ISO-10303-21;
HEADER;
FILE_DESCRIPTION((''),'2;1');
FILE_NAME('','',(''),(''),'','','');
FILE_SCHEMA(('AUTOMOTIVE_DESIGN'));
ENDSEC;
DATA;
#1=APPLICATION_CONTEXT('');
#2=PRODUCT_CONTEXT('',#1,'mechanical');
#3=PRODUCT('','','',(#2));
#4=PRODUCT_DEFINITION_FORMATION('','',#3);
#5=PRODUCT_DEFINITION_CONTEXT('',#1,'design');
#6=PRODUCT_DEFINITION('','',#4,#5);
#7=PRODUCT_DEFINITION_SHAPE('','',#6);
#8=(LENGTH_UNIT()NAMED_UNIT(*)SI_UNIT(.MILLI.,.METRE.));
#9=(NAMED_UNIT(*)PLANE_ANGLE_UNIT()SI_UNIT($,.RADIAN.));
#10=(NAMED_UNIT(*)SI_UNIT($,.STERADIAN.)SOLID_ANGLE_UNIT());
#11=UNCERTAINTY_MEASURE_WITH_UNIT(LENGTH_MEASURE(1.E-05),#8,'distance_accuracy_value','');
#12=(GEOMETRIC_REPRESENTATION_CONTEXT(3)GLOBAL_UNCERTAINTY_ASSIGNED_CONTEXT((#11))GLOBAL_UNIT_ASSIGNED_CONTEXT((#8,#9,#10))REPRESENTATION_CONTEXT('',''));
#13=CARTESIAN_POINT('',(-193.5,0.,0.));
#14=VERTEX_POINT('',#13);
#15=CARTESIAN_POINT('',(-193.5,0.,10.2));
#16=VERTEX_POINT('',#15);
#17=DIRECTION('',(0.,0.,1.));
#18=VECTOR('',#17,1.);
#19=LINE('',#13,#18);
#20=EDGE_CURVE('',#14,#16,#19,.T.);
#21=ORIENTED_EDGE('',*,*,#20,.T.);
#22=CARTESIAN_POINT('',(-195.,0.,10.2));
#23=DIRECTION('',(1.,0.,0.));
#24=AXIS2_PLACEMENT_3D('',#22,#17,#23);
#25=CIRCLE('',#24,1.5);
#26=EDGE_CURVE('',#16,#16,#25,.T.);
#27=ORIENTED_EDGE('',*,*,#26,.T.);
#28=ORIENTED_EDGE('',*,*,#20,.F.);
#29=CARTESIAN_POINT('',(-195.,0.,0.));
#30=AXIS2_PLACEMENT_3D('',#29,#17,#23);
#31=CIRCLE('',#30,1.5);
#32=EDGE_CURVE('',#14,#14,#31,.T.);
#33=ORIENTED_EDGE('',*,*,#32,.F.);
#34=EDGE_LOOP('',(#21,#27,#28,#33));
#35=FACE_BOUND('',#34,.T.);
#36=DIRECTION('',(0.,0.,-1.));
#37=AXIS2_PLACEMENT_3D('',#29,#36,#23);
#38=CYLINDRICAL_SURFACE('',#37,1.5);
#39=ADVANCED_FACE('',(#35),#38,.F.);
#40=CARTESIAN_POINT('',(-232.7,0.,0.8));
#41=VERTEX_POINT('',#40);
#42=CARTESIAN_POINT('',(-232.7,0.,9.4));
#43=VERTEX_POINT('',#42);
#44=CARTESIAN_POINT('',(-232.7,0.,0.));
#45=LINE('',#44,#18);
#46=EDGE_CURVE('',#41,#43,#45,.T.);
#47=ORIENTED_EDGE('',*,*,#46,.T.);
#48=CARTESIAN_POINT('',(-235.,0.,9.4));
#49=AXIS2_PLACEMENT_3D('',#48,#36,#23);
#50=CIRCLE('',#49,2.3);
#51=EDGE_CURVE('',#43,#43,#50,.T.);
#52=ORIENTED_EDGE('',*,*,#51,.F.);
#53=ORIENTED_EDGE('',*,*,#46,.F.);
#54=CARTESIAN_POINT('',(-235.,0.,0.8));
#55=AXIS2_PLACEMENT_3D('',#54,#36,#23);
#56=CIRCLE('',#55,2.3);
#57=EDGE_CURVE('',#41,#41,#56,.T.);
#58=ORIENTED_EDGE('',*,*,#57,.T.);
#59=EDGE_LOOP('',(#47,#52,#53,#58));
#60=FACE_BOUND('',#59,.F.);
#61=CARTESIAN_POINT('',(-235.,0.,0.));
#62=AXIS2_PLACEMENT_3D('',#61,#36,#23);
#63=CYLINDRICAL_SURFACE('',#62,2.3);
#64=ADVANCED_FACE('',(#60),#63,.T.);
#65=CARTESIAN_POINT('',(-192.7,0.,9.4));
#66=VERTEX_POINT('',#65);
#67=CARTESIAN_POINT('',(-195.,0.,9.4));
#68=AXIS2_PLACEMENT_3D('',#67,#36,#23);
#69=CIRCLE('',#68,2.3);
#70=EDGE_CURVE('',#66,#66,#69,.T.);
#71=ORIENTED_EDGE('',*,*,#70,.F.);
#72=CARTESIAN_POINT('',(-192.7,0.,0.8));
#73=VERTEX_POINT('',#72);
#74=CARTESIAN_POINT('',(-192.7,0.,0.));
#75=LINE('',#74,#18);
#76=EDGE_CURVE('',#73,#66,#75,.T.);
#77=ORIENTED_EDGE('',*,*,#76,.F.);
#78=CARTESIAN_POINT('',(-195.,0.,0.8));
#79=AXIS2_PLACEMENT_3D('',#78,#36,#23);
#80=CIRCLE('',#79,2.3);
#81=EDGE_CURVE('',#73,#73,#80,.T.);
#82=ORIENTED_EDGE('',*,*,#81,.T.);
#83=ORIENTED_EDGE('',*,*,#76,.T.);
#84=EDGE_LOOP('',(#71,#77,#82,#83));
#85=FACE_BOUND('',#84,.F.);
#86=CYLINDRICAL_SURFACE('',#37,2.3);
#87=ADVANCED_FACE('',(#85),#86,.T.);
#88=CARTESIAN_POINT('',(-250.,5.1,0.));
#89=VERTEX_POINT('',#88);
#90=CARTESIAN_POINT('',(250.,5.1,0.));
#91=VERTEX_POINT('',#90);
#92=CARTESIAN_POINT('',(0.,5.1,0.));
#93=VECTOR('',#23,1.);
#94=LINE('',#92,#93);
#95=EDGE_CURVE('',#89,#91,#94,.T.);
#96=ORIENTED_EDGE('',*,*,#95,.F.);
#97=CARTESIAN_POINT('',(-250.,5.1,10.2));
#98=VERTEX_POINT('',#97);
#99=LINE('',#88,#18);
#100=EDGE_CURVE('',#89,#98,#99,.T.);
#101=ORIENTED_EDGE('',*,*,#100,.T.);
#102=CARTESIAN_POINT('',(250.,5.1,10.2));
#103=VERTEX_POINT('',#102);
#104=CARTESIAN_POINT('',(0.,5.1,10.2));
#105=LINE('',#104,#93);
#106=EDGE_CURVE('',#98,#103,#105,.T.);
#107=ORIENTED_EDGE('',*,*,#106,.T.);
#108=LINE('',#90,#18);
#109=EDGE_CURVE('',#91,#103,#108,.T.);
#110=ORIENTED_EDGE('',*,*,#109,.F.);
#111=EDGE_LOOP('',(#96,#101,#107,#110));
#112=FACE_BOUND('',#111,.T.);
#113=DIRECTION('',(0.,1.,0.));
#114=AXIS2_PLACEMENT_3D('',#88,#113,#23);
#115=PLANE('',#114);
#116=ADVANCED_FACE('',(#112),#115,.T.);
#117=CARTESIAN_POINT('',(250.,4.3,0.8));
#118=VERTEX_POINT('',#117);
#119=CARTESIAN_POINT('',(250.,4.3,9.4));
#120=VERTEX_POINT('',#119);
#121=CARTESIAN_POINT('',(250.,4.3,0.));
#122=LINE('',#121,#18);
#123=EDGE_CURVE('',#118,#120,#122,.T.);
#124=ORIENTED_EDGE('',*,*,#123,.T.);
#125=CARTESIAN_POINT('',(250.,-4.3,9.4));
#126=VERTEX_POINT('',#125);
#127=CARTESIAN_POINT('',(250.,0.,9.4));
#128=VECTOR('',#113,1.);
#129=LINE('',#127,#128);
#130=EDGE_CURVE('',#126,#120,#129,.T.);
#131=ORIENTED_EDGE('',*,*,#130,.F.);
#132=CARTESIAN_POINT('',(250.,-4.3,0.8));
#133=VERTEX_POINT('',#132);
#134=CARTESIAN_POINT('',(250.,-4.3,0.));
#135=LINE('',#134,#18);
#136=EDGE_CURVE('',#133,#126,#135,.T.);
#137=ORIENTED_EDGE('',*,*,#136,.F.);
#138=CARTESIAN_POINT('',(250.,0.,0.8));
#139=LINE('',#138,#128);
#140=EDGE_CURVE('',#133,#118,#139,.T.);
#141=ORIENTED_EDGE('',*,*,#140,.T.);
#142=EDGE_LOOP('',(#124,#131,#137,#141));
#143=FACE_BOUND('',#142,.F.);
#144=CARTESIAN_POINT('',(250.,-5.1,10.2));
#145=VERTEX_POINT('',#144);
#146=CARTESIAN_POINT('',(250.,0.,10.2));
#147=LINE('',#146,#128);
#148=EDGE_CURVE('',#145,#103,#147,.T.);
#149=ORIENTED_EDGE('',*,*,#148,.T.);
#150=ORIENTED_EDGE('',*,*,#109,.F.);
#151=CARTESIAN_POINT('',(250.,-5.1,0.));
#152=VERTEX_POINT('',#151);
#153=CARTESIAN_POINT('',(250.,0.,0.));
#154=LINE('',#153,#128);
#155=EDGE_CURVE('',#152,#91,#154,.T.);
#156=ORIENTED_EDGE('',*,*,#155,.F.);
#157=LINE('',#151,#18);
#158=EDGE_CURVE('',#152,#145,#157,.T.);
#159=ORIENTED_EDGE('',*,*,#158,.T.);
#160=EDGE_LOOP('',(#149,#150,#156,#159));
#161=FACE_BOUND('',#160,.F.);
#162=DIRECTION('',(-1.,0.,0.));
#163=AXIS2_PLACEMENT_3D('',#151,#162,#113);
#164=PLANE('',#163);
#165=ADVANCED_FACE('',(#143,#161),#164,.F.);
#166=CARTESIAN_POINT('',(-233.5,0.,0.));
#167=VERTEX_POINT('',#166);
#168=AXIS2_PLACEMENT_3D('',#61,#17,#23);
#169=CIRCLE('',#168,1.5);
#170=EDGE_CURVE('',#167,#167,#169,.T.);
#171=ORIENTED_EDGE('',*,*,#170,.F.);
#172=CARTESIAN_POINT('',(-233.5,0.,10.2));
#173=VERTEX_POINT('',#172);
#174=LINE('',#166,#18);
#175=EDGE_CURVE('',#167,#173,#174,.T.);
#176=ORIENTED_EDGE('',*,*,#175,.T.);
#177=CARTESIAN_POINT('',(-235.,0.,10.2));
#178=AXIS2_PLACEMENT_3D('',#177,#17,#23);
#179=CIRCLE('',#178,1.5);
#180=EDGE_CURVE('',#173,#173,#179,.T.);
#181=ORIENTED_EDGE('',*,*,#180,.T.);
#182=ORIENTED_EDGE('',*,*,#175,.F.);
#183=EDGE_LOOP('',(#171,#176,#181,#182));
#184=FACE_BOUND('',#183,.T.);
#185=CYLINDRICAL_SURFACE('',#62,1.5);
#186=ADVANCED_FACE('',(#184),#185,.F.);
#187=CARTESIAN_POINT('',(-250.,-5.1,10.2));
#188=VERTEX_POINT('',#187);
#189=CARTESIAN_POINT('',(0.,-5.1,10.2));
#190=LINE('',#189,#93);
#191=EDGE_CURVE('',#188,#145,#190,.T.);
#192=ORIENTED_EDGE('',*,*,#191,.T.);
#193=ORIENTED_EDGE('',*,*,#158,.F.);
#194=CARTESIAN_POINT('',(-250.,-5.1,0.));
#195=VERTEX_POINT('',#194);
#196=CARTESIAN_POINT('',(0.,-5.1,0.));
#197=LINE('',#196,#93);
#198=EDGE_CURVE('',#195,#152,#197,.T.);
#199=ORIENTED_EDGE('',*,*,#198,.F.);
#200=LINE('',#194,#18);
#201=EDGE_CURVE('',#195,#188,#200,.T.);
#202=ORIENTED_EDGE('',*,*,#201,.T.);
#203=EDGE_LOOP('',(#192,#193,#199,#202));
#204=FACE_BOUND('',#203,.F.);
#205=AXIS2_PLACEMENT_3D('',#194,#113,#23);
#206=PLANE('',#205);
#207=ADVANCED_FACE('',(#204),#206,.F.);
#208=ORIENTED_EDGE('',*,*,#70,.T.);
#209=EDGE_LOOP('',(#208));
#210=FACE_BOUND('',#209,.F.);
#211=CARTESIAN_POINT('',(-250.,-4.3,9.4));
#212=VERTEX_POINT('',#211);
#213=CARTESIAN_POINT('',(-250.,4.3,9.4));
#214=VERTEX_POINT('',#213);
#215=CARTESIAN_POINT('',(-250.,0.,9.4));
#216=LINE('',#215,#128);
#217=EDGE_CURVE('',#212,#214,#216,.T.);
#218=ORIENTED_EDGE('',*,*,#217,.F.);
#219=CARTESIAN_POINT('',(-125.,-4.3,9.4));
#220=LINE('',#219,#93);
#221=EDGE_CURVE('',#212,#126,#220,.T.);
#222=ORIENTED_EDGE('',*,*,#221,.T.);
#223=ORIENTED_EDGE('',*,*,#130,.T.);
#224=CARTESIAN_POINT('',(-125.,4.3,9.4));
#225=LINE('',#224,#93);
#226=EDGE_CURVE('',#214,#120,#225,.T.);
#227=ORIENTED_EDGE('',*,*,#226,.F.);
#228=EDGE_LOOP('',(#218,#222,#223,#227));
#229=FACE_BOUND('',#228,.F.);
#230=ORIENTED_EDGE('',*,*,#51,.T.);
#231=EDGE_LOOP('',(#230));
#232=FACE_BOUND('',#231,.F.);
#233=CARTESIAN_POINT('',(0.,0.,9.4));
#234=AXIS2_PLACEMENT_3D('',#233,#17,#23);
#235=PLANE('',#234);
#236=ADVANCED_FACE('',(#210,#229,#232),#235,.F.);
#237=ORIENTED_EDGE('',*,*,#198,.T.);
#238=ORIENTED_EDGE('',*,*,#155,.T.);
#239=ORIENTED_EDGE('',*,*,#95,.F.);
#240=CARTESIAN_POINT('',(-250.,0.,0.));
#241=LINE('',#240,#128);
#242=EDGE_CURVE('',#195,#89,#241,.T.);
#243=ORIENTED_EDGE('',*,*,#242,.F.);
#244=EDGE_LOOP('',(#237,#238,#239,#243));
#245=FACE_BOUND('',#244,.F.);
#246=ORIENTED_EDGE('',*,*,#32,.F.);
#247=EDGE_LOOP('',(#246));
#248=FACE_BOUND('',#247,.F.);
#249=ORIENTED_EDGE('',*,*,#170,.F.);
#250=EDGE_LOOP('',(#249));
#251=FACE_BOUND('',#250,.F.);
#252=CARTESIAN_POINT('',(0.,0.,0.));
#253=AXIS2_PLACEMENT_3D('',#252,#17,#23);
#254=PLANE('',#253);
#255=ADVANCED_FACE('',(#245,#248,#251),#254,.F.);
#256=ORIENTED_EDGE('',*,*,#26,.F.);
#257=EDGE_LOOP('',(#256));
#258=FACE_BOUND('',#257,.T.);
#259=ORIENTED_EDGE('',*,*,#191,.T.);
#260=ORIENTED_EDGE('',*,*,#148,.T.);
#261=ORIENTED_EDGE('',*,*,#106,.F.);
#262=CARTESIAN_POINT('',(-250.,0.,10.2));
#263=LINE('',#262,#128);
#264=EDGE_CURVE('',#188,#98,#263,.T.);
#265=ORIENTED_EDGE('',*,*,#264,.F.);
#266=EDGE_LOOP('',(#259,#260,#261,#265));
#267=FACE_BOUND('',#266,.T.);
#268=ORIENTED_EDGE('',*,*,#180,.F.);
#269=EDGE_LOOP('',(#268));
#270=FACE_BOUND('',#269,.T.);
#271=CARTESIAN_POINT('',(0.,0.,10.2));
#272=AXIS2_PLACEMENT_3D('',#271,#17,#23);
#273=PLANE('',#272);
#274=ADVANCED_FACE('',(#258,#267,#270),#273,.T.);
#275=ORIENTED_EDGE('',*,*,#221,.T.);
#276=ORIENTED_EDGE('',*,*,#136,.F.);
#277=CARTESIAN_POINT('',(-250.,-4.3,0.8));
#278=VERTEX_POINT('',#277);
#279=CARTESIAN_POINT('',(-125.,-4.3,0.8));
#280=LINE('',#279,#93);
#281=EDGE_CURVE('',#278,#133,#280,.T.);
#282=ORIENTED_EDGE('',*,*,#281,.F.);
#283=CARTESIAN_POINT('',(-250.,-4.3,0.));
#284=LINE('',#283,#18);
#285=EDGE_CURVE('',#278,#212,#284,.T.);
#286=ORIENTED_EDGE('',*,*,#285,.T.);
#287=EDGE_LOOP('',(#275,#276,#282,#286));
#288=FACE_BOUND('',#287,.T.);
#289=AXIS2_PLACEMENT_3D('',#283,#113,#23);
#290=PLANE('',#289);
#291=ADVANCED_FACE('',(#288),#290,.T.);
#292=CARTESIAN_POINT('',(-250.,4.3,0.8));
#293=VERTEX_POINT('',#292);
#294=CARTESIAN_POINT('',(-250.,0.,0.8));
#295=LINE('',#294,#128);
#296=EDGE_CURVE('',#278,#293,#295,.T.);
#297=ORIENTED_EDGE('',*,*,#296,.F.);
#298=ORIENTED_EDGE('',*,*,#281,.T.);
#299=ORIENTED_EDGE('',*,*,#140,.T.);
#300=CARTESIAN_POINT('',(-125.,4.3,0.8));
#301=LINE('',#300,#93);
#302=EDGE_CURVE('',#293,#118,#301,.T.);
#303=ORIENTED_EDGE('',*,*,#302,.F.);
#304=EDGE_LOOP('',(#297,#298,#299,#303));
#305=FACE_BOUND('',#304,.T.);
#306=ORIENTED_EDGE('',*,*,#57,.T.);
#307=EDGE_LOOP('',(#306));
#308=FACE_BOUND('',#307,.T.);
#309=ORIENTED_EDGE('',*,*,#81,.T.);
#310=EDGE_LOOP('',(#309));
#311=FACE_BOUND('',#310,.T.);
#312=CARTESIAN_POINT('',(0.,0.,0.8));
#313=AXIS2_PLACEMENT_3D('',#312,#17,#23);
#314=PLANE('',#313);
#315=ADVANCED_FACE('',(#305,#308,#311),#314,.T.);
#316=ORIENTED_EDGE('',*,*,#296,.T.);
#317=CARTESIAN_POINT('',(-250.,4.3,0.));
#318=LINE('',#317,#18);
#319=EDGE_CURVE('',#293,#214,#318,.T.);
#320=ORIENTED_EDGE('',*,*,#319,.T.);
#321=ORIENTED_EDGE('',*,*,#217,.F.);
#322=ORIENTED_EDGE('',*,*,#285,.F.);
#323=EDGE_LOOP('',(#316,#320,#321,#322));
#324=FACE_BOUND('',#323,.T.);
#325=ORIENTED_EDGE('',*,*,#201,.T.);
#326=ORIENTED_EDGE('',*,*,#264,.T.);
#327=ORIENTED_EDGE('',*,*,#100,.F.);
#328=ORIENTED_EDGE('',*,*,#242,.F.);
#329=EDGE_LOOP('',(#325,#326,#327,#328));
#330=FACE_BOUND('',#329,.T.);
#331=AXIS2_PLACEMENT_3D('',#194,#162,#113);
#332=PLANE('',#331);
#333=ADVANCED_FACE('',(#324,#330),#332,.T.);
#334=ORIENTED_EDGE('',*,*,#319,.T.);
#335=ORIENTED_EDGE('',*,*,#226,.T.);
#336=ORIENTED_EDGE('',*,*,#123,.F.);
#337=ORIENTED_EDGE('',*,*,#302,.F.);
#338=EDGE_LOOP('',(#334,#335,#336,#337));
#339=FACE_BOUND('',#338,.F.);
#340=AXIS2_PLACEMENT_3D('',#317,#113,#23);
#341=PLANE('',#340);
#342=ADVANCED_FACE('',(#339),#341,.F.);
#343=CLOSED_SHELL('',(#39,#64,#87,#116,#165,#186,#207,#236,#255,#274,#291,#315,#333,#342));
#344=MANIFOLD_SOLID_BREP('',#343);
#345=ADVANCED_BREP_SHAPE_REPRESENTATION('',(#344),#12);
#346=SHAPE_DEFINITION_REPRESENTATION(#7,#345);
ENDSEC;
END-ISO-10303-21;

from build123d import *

# Parameters (mm, degrees)
F0_W     = 500
F0_H     = 10.2
F0_R     = 1.5
F1_DEPTH = 10.2
F2_T     = -0.8


with BuildPart() as f1:
    # F0 (on Top) → F1 (new body)
    with BuildSketch(Plane.XY):
        Rectangle(F0_W, F0_H)
        with Locations((-235, 0)):
            Circle(F0_R, mode=Mode.SUBTRACT)
        with Locations((-195, 0)):
            Circle(F0_R, mode=Mode.SUBTRACT)
    extrude(amount=F1_DEPTH)

    # F2
    f2_openings = [f1.faces().sort_by_distance(p)[0] for p in [
        (250, 0, 5.1),
        (-250, 0, 5.1),
    ]]
    offset(amount=F2_T, openings=f2_openings)


solid = f1.part
